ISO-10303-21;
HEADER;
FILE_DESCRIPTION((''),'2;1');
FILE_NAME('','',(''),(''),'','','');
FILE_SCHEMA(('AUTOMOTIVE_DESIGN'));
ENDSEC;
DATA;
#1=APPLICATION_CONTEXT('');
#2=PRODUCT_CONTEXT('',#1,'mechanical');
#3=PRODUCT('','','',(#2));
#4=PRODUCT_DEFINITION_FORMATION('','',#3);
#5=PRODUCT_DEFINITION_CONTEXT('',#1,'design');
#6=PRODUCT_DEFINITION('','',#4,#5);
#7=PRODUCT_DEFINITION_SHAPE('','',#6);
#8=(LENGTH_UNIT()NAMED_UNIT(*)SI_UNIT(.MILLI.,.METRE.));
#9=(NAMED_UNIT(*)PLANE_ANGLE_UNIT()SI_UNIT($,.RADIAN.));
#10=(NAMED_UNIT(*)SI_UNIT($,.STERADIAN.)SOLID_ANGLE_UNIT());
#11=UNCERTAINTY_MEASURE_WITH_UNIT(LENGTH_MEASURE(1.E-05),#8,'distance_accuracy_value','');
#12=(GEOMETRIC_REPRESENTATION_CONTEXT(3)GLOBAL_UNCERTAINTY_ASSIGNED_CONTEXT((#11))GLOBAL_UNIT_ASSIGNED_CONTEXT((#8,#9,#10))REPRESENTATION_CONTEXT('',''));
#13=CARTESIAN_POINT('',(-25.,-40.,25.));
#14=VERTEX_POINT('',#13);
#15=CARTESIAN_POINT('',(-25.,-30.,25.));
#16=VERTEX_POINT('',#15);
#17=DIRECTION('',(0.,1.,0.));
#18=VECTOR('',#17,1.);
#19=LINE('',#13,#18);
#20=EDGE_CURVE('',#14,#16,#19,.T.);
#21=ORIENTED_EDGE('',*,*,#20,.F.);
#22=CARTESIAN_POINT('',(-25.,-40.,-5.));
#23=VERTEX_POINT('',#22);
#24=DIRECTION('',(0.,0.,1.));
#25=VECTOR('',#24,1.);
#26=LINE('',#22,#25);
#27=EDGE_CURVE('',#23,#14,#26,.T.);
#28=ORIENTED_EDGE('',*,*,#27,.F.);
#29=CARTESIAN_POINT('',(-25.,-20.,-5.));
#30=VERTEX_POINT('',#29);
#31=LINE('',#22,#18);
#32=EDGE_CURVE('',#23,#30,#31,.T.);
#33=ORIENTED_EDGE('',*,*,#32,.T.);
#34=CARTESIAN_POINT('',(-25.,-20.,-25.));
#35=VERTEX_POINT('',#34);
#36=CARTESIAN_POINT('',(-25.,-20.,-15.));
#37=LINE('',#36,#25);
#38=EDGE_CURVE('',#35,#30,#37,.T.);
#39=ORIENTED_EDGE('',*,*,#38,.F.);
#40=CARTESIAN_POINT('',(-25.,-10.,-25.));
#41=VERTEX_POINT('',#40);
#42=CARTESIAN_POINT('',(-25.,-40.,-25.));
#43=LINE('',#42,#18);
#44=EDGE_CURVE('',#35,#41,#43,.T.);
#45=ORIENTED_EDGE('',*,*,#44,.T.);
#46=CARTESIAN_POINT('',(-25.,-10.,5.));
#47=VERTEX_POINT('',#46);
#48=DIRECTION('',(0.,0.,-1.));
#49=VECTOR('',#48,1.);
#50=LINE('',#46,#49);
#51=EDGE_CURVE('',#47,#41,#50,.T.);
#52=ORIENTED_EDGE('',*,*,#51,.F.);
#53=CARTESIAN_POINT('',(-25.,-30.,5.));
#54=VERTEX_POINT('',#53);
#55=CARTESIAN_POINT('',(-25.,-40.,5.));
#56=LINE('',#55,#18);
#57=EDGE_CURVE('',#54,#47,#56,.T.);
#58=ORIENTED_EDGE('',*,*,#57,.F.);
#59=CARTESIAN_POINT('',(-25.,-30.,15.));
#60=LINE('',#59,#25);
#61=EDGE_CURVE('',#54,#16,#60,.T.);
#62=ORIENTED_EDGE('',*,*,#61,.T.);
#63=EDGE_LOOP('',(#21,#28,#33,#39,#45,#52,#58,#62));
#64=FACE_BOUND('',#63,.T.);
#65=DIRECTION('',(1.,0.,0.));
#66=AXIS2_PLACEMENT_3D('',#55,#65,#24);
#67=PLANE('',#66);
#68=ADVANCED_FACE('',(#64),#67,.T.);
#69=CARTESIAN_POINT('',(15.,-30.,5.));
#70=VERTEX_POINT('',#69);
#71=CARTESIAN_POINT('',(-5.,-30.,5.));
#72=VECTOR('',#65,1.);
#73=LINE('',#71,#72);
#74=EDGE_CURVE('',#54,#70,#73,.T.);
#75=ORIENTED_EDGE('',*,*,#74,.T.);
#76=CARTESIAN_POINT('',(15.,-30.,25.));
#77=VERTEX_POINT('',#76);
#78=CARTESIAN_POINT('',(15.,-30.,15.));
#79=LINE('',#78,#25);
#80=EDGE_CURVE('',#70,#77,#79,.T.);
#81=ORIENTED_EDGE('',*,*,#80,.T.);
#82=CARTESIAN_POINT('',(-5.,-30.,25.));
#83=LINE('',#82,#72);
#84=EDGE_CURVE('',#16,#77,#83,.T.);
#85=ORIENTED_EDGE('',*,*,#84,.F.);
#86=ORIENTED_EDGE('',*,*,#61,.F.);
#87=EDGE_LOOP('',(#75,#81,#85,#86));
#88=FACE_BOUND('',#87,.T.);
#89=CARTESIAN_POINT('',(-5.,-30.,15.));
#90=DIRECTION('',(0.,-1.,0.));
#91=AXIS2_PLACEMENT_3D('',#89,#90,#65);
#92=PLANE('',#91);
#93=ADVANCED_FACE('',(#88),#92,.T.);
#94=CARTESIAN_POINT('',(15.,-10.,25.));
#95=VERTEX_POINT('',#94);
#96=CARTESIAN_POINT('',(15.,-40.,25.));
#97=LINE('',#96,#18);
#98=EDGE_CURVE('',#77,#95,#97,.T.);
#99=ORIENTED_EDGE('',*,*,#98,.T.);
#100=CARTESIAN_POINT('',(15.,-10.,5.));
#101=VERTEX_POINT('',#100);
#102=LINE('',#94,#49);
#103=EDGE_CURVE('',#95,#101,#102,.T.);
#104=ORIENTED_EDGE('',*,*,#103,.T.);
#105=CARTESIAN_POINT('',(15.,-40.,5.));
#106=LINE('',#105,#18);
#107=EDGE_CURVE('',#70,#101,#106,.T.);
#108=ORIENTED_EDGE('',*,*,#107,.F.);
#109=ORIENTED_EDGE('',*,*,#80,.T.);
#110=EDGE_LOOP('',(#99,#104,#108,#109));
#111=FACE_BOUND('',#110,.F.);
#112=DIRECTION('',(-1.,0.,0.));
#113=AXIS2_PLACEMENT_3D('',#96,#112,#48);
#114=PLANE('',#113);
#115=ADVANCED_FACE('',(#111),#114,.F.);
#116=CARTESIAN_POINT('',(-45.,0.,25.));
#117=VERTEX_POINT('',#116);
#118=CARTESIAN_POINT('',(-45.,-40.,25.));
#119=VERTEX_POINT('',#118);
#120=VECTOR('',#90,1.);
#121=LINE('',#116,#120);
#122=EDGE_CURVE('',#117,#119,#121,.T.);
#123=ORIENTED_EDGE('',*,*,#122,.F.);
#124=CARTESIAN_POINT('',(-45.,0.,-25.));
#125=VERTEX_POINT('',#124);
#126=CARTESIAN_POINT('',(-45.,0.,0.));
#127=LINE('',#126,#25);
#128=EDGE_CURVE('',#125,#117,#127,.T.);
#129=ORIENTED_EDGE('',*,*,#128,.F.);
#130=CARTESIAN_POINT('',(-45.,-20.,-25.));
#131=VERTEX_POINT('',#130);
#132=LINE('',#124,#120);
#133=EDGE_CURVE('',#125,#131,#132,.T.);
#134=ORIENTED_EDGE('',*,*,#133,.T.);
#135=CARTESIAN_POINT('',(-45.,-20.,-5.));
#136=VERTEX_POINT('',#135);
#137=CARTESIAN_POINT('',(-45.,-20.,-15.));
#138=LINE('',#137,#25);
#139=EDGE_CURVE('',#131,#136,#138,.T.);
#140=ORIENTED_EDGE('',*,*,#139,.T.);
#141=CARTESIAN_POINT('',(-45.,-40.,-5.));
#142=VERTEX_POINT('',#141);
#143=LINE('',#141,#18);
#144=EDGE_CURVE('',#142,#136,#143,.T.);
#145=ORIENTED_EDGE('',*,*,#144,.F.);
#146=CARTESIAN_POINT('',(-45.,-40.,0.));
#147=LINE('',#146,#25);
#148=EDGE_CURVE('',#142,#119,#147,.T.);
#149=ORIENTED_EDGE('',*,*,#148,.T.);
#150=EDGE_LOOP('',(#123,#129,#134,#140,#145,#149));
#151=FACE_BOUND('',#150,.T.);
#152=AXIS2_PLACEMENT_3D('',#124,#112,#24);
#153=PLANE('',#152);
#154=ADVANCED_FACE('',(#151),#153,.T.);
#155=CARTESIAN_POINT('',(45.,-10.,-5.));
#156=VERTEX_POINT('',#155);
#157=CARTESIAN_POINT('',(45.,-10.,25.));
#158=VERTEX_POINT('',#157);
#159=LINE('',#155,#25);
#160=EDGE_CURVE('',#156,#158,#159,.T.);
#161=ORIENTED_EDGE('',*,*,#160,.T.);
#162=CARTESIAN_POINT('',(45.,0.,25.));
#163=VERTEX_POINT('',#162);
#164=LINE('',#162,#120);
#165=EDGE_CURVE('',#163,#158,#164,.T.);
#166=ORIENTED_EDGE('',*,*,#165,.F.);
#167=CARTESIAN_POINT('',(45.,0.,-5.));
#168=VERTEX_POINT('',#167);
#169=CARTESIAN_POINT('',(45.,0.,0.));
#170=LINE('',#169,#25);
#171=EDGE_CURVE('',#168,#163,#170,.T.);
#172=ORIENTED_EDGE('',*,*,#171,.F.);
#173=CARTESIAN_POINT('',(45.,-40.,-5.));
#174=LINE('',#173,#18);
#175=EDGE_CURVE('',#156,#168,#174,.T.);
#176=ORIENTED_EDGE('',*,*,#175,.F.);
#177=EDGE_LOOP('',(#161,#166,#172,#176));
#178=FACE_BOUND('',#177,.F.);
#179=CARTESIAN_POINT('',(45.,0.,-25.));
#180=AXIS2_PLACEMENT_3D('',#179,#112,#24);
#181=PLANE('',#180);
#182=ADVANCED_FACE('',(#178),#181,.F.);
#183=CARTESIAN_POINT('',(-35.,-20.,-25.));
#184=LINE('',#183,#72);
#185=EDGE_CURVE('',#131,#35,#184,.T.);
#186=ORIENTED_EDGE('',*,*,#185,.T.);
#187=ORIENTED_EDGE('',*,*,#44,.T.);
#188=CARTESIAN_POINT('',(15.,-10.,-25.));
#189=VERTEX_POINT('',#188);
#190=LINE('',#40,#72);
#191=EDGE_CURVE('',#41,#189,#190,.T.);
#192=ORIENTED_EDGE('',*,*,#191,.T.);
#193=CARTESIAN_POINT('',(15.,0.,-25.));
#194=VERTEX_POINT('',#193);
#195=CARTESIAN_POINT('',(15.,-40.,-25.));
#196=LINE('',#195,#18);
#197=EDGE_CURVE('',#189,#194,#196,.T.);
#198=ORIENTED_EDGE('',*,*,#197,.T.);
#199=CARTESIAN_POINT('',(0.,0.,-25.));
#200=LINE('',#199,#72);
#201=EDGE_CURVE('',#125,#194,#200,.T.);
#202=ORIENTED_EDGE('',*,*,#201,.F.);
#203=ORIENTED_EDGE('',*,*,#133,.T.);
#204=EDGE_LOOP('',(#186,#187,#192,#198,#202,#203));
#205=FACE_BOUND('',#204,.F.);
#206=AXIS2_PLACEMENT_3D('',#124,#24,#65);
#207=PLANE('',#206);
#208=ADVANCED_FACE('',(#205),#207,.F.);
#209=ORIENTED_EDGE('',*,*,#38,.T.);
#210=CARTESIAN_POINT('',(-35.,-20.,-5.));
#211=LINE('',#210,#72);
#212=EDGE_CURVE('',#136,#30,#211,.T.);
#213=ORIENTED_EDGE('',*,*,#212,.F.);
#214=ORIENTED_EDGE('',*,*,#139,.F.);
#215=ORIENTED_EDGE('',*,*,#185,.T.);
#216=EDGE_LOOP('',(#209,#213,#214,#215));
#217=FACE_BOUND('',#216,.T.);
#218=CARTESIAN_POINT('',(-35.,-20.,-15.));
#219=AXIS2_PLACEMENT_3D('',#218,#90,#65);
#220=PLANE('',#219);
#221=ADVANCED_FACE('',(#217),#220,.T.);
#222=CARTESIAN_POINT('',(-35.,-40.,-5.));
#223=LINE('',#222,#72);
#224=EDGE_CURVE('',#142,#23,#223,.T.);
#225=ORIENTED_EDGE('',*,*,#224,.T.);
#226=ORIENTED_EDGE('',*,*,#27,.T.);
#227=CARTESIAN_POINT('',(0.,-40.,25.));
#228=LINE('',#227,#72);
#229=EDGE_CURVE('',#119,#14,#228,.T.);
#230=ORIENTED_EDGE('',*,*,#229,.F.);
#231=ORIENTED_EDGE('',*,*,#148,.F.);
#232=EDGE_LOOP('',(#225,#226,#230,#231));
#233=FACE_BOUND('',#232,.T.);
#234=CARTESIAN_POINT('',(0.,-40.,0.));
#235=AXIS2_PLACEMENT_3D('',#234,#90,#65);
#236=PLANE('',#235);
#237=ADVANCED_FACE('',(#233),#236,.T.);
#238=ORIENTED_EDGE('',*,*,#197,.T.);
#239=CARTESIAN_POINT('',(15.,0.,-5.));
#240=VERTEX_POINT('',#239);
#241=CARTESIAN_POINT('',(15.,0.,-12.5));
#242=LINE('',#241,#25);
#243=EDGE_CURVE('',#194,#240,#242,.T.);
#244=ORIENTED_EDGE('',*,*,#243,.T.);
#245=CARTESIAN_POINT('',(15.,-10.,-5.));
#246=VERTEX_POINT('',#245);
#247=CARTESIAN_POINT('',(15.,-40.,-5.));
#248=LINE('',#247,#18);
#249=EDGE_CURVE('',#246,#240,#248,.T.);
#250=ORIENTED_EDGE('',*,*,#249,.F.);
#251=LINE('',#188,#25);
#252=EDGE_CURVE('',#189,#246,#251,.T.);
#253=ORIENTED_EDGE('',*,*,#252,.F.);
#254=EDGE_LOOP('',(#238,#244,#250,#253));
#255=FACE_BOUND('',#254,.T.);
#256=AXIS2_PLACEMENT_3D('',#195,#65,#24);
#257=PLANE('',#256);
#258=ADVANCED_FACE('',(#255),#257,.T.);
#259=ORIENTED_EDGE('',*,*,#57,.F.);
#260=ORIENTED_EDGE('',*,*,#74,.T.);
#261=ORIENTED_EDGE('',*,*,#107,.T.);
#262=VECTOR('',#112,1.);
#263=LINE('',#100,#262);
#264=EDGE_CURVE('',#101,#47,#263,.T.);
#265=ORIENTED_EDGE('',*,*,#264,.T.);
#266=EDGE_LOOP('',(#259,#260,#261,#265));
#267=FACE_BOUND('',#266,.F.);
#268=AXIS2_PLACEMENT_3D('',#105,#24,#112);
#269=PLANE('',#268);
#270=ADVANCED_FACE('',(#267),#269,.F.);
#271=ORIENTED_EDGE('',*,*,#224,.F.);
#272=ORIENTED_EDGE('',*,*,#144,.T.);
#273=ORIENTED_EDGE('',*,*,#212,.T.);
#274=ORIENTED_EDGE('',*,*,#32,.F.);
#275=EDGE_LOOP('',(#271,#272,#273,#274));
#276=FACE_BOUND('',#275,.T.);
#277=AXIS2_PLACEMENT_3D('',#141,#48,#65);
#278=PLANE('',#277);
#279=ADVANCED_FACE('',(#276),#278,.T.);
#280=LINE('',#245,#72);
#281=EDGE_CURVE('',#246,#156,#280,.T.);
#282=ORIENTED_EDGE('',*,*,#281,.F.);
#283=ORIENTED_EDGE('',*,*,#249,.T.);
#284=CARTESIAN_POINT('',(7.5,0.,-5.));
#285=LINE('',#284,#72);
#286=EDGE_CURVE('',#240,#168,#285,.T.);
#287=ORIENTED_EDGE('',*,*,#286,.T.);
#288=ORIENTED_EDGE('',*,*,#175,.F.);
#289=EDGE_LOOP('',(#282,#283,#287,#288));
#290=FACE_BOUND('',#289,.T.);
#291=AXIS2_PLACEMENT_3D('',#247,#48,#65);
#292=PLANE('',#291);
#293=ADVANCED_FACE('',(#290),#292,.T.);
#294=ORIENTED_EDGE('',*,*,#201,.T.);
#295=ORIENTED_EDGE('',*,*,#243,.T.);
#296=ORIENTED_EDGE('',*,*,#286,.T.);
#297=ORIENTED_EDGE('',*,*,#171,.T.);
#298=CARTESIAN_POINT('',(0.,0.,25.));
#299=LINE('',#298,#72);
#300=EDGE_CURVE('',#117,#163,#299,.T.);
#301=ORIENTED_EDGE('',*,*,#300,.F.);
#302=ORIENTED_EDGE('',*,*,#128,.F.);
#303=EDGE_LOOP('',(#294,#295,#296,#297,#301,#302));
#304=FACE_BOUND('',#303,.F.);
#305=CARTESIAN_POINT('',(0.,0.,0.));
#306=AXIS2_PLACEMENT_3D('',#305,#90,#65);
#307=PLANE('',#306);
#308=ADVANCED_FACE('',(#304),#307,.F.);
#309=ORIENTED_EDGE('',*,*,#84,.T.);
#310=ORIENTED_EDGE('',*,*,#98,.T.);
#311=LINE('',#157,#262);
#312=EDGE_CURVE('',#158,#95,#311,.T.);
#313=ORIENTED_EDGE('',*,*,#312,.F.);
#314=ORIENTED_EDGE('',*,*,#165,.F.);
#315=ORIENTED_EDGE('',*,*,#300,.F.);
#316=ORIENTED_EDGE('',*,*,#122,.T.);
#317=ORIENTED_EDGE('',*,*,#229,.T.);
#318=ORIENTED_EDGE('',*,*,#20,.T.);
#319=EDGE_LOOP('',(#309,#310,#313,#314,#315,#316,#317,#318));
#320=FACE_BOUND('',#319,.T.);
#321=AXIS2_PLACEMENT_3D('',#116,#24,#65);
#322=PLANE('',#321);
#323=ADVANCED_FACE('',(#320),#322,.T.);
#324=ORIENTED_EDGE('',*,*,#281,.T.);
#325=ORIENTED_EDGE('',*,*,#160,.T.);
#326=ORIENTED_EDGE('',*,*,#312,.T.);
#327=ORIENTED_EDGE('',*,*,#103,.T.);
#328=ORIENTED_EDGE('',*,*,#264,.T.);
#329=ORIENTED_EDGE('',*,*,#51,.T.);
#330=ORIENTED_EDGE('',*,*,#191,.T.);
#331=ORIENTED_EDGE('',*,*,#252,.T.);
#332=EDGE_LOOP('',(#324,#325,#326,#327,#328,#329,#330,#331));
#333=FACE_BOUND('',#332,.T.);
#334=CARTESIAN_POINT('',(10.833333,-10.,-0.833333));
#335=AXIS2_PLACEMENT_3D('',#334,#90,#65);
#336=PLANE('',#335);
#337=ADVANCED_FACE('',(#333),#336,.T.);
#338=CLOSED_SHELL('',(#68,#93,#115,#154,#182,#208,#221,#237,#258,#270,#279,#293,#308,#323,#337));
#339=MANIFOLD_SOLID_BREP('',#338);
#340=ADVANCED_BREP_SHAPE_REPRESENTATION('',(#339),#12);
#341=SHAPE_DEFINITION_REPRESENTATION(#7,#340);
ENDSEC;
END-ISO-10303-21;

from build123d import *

# Parameters (mm, degrees)
F0_W     = 90
F0_H     = 50
F1_DEPTH = 40
F2_W     = 30
F2_H     = 20
F3_DEPTH = 40.001
F4_W     = 20
F4_H     = 20
F5_DEPTH = 20
F6_W     = 40
F6_H     = 20
F7_DEPTH = 10
F9_DEPTH = 30


with BuildPart() as f1:
    # F0 (on Front) → F1 (new body)
    with BuildSketch(Plane.XZ):
        Rectangle(F0_W, F0_H)
    extrude(amount=F1_DEPTH)

    # F2 (on face) → F3 (cut, through all)
    with BuildSketch(Plane.XZ.offset(40)):
        with Locations((30, -15)):
            Rectangle(F2_W, F2_H)
    extrude(amount=-F3_DEPTH, mode=Mode.SUBTRACT)

    # F4 (on face) → F5 (cut)
    with BuildSketch(Plane.XZ.offset(40)):
        with Locations((-35, -15)):
            Rectangle(F4_W, F4_H)
    extrude(amount=-F5_DEPTH, mode=Mode.SUBTRACT)

    # F6 (on face) → F7 (cut)
    with BuildSketch(Plane.XZ.offset(40)):
        with Locations((-5, 15)):
            Rectangle(F6_W, F6_H)
    extrude(amount=-F7_DEPTH, mode=Mode.SUBTRACT)

    # F8 (on face) → F9 (cut)
    with BuildSketch(Plane.XZ.offset(40)):
        Polygon((15, 5), (-25, 5), (-25, -5), (-25, -25), (15, -25), (15, -5), (45, -5), (45, 25), (15, 25), align=None)
    extrude(amount=-F9_DEPTH, mode=Mode.SUBTRACT)


solid = f1.part
